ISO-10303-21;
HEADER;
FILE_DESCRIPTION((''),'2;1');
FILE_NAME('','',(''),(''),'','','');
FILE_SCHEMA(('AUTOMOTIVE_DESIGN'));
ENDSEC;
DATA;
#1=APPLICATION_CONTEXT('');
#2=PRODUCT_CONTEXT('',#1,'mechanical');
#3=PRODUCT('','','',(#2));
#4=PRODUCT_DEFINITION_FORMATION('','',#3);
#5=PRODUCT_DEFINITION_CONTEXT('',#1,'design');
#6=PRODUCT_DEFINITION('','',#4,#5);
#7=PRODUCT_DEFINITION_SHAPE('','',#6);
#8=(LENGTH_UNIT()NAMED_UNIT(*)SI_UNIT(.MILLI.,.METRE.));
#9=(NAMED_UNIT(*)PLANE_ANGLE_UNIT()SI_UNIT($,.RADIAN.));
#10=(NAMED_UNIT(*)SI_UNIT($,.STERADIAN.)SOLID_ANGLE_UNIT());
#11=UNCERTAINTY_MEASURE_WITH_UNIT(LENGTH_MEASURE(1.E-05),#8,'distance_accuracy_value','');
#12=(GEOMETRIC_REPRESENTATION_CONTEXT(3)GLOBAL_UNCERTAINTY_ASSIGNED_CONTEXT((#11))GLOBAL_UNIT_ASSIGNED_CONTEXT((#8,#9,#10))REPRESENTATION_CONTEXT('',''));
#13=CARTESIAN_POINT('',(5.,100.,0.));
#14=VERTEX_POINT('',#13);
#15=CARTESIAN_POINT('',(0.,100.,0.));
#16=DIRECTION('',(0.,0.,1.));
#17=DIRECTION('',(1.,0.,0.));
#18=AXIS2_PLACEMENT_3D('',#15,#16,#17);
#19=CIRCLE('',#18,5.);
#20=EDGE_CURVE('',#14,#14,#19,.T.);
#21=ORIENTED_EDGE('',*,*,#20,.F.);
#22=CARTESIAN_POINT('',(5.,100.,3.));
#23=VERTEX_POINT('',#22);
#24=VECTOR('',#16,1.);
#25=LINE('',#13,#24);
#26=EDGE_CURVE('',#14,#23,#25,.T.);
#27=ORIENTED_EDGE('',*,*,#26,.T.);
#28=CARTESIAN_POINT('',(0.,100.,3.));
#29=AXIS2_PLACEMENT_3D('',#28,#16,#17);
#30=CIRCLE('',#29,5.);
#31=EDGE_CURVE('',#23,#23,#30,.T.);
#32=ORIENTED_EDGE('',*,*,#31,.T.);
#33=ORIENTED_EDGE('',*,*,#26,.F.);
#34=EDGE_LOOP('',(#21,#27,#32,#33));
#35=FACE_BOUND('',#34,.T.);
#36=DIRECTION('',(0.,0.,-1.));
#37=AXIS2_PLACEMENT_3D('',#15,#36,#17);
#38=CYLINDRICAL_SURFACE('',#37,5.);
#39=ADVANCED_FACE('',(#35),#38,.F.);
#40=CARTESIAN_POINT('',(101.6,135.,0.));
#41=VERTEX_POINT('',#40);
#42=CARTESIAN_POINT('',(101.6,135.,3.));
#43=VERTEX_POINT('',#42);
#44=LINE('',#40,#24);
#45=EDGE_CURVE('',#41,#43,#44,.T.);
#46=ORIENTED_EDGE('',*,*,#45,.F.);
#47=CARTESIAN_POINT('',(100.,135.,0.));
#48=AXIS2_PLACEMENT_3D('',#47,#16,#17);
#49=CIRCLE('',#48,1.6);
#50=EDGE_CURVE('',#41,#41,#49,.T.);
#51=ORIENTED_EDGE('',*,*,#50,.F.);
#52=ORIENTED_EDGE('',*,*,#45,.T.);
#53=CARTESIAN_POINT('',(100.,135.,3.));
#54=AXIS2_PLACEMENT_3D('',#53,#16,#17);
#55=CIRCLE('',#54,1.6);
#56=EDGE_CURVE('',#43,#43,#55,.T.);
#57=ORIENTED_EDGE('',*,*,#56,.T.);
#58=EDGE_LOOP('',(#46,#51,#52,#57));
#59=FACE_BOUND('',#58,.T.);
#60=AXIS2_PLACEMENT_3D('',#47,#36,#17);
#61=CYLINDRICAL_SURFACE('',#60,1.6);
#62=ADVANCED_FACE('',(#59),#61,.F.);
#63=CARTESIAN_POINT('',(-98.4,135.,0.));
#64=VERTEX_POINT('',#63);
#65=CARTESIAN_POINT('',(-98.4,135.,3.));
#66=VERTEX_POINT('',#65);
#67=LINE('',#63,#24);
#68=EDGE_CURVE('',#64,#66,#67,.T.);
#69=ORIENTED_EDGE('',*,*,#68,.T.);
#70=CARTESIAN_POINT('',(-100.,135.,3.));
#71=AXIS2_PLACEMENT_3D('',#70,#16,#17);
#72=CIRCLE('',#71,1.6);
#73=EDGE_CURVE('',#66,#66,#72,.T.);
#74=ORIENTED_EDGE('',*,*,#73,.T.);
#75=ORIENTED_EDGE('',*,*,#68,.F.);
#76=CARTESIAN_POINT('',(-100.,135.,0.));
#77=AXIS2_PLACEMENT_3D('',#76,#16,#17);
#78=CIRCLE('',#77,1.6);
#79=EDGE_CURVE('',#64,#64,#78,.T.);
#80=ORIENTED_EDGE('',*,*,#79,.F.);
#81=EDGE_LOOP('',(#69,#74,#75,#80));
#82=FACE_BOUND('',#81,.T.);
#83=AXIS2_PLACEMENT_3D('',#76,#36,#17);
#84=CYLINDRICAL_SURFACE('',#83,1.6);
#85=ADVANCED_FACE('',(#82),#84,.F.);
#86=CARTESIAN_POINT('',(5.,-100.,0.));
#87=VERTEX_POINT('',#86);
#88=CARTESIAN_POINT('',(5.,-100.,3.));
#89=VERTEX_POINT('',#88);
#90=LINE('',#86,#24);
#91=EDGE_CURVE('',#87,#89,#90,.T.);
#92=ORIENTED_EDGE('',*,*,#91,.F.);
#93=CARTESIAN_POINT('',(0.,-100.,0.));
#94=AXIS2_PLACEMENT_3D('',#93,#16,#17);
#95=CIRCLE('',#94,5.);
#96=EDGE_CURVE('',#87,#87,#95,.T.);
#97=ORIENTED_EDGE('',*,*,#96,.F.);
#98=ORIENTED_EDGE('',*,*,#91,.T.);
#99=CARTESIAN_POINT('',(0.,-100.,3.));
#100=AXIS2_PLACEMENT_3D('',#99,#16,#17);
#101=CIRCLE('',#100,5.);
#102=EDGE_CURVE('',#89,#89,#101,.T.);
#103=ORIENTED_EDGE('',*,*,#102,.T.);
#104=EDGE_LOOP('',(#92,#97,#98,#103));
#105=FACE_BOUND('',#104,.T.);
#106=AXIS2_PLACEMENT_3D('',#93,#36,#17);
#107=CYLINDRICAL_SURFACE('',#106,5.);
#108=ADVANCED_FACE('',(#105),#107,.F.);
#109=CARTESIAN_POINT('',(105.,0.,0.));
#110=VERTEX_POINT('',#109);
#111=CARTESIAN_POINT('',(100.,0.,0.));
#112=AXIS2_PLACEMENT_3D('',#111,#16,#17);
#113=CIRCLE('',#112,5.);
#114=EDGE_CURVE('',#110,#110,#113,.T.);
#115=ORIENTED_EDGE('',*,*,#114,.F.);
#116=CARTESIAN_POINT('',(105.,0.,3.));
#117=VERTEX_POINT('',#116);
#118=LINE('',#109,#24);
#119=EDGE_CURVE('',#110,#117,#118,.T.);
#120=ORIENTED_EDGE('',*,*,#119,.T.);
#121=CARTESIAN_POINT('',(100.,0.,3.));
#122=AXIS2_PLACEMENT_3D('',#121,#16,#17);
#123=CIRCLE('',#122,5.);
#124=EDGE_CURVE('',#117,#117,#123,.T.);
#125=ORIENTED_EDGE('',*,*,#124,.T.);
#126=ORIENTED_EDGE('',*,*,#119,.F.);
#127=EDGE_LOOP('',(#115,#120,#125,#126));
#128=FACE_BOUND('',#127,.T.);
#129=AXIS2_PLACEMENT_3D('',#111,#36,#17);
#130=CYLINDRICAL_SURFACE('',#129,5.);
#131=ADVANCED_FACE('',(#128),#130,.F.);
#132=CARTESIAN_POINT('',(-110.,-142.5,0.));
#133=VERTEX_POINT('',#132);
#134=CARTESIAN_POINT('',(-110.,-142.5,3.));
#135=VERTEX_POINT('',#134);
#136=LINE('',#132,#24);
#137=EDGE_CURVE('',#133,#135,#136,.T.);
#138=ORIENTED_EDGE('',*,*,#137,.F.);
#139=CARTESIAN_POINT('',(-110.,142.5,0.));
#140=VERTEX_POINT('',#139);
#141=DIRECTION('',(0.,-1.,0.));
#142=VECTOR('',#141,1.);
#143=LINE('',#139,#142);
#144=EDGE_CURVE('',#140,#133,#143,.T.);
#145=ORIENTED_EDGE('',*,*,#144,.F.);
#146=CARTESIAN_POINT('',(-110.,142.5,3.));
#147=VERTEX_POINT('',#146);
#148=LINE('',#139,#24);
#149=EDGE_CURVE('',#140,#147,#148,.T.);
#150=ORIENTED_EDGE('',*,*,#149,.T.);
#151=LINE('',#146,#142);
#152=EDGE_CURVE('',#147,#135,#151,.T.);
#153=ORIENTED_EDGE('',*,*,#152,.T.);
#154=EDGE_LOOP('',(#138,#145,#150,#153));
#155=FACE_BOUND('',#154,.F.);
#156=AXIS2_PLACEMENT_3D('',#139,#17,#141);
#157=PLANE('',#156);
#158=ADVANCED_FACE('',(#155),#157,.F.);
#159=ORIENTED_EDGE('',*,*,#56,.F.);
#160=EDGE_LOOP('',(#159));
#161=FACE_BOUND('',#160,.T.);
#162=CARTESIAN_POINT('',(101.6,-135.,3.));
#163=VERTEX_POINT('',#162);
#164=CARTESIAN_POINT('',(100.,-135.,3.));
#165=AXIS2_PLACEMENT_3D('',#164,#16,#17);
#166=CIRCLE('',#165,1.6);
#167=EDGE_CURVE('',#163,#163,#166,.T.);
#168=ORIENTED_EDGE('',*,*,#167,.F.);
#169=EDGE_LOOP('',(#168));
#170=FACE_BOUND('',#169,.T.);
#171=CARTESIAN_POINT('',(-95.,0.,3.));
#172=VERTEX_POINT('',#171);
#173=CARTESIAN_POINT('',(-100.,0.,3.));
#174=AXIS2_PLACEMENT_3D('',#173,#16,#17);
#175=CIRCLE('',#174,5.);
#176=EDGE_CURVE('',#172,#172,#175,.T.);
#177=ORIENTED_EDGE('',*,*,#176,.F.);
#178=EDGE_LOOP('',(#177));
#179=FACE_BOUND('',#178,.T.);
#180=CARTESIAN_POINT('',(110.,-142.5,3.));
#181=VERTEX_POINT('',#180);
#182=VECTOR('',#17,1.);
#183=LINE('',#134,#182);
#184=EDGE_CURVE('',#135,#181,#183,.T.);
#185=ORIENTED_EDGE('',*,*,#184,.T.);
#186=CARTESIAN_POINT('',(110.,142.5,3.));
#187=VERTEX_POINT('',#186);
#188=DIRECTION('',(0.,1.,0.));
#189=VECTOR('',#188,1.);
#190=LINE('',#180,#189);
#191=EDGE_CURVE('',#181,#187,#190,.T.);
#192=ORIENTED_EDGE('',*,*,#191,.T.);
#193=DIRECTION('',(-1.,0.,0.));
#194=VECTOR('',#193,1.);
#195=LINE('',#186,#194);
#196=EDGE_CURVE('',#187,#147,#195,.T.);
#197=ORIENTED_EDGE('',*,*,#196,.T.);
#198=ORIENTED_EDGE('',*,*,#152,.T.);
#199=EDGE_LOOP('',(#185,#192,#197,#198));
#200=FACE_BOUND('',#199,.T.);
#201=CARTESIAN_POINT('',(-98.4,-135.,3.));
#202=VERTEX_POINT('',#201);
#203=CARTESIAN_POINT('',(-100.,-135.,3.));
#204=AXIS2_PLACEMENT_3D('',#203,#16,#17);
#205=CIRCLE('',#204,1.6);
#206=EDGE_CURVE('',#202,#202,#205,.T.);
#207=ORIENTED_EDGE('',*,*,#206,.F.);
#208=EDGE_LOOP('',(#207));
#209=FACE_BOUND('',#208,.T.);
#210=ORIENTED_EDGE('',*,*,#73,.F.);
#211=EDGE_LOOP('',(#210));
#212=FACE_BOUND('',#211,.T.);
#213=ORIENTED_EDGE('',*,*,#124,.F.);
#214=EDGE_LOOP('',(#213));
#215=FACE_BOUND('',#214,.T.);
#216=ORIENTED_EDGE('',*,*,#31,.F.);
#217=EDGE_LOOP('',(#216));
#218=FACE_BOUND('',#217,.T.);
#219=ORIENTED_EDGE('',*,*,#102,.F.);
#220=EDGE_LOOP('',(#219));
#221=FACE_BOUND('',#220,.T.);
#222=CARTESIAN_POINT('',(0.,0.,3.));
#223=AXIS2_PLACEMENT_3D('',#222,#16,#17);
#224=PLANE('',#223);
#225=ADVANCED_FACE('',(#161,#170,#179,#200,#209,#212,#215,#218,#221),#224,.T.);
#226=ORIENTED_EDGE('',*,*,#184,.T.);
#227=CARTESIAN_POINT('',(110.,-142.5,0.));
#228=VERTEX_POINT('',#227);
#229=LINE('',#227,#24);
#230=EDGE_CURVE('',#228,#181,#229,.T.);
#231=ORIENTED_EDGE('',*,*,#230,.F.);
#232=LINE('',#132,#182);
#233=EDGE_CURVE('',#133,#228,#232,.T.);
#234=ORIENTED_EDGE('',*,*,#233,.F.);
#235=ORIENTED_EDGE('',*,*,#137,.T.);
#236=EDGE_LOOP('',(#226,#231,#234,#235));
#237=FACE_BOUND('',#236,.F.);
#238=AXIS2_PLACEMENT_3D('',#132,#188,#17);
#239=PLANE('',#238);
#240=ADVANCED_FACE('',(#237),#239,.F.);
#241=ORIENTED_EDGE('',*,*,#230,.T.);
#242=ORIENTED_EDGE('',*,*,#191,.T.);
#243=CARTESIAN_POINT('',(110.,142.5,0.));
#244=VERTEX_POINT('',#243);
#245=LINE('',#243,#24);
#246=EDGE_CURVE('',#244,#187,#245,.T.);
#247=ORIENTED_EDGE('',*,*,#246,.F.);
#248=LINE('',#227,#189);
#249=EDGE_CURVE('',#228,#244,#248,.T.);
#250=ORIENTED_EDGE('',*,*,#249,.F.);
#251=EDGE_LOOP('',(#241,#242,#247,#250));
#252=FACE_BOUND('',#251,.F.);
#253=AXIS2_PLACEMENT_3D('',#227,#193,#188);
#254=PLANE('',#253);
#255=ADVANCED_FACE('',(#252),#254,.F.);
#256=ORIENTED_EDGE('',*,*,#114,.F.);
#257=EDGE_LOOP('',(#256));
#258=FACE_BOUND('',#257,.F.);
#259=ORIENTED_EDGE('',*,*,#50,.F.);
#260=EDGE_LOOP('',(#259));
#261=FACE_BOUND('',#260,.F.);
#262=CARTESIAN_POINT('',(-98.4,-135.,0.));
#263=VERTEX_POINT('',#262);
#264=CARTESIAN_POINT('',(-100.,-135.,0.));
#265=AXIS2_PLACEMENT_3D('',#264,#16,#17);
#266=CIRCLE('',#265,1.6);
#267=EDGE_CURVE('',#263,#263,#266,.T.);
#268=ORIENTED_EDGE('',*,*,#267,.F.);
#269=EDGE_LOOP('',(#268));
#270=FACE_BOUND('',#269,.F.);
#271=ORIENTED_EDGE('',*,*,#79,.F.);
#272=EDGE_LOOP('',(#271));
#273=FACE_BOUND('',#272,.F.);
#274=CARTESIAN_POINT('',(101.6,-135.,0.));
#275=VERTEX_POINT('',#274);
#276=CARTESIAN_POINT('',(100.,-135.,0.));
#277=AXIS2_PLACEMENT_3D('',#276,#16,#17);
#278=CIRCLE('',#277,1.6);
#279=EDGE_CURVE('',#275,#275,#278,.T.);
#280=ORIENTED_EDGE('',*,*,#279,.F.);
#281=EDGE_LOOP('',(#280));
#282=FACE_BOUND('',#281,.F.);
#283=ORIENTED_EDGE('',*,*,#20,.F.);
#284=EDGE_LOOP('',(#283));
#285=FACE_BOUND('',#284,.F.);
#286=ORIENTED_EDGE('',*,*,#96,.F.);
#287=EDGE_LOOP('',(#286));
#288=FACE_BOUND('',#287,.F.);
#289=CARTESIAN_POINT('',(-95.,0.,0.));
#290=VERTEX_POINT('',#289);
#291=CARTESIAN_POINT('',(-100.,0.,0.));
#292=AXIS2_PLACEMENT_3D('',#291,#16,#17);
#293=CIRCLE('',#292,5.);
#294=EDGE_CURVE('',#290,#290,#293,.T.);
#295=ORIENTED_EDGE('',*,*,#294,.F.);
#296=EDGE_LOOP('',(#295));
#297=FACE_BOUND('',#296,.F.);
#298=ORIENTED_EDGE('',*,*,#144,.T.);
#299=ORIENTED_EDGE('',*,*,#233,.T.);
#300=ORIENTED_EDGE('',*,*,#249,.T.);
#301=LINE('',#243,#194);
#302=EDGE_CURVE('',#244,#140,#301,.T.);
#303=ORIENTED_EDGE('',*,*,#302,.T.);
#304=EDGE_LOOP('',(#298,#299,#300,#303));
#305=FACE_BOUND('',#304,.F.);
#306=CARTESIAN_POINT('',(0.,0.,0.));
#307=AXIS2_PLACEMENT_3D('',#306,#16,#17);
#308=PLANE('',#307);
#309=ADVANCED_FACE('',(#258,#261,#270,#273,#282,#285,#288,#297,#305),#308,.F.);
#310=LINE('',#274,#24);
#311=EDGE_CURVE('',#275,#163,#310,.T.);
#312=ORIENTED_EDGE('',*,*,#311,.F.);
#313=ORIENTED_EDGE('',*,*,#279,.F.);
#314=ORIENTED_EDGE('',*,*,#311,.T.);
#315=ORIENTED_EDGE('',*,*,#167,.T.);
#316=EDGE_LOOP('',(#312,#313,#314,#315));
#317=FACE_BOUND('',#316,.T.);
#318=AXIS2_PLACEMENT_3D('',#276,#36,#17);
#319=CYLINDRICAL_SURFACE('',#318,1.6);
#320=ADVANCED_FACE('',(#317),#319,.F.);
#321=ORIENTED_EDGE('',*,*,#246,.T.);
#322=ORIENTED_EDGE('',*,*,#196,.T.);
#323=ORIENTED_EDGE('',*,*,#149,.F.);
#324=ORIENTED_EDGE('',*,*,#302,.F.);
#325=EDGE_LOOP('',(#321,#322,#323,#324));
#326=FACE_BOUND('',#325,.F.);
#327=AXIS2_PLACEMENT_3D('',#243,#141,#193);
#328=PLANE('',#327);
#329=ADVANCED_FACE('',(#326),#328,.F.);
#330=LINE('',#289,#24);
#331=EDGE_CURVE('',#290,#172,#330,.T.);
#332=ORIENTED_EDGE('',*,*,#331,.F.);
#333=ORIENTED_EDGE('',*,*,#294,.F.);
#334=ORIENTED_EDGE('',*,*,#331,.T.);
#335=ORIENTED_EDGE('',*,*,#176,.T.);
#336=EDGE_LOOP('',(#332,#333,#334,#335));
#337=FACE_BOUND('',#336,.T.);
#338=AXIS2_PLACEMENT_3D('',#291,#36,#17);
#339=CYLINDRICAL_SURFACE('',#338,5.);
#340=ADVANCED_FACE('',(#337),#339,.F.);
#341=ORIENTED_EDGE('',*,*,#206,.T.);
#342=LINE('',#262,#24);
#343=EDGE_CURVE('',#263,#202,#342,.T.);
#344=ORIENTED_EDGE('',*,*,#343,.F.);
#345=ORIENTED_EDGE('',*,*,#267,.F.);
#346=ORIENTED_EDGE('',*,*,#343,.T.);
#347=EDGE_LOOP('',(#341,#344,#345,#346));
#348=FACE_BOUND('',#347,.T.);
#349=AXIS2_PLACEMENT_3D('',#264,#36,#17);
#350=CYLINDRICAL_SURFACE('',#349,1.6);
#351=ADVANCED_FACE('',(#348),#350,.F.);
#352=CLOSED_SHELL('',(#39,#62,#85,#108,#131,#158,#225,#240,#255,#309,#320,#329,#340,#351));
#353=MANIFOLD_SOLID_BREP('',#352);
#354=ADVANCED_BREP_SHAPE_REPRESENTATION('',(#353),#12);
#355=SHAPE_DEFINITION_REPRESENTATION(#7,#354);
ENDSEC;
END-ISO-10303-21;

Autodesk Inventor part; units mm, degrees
ref_plane "YZ Plane" through (0, 0, 0) normal (1, 0, 0) x (0, 1, 0)
ref_plane "XZ Plane" through (0, 0, 0) normal (0, 1, 0) x (-1, 0, 0)
ref_plane "XY Plane" through (0, 0, 0) normal (0, 0, 1) x (1, 0, 0)
sketch "スケッチ1" plane through (0, 0, 0) normal (0, 0, 1) x (1, 0, 0)
  line L0 (0, 100) -> (-100, 0) construction
  line L1 (-100, 0) -> (0, -100) construction
  line L2 (0, -100) -> (100, 0) construction
  line L3 (100, 0) -> (0, 100) construction
  line L4 (0, 100) -> (0, -100) construction
  line L5 (-100, 0) -> (100, 0) construction
  line L6 (100, 135) -> (-100, 135) construction
  line L7 (-100, 135) -> (-100, -135) construction
  line L8 (-100, -135) -> (100, -135) construction
  line L9 (100, -135) -> (100, 135) construction
  line L10 (100, 135) -> (-100, -135) construction
  line L11 (-100, 135) -> (100, -135) construction
  circle A0 centre (-100, 135) radius 1.6
  circle A1 centre (100, 135) radius 1.6
  circle A2 centre (100, -135) radius 1.6
  circle A3 centre (-100, -135) radius 1.6
  circle A4 centre (-100, 0) radius 5
  circle A5 centre (0, 100) radius 5
  circle A6 centre (100, 0) radius 5
  circle A7 centre (0, -100) radius 5
  line L12 (110, 142.5) -> (-110, 142.5)
  line L13 (-110, 142.5) -> (-110, -142.5)
  line L14 (-110, -142.5) -> (110, -142.5)
  line L15 (110, -142.5) -> (110, 142.5)
  line L16 (110, 142.5) -> (-110, -142.5) construction
  line L17 (-110, 142.5) -> (110, -142.5) construction
  point P0 (0, 0)
  point P1 (0, 0)
  dimension "d2" = 200
  dimension "d3" = 270
  dimension "d4" = 3.2
  dimension "d5" = 3.2
  dimension "d6" = 3.2
  dimension "d7" = 3.2
  dimension "d8" = 10
  dimension "d9" = 10
  dimension "d10" = 10
  dimension "d11" = 10
  dimension "d12" = 7.5
  dimension "d19" = 200
  dimension "d20" = 10
extrude "押し出し1" add sketch "スケッチ1" along normal blind 3
properties part number "プレート保持_いた"
